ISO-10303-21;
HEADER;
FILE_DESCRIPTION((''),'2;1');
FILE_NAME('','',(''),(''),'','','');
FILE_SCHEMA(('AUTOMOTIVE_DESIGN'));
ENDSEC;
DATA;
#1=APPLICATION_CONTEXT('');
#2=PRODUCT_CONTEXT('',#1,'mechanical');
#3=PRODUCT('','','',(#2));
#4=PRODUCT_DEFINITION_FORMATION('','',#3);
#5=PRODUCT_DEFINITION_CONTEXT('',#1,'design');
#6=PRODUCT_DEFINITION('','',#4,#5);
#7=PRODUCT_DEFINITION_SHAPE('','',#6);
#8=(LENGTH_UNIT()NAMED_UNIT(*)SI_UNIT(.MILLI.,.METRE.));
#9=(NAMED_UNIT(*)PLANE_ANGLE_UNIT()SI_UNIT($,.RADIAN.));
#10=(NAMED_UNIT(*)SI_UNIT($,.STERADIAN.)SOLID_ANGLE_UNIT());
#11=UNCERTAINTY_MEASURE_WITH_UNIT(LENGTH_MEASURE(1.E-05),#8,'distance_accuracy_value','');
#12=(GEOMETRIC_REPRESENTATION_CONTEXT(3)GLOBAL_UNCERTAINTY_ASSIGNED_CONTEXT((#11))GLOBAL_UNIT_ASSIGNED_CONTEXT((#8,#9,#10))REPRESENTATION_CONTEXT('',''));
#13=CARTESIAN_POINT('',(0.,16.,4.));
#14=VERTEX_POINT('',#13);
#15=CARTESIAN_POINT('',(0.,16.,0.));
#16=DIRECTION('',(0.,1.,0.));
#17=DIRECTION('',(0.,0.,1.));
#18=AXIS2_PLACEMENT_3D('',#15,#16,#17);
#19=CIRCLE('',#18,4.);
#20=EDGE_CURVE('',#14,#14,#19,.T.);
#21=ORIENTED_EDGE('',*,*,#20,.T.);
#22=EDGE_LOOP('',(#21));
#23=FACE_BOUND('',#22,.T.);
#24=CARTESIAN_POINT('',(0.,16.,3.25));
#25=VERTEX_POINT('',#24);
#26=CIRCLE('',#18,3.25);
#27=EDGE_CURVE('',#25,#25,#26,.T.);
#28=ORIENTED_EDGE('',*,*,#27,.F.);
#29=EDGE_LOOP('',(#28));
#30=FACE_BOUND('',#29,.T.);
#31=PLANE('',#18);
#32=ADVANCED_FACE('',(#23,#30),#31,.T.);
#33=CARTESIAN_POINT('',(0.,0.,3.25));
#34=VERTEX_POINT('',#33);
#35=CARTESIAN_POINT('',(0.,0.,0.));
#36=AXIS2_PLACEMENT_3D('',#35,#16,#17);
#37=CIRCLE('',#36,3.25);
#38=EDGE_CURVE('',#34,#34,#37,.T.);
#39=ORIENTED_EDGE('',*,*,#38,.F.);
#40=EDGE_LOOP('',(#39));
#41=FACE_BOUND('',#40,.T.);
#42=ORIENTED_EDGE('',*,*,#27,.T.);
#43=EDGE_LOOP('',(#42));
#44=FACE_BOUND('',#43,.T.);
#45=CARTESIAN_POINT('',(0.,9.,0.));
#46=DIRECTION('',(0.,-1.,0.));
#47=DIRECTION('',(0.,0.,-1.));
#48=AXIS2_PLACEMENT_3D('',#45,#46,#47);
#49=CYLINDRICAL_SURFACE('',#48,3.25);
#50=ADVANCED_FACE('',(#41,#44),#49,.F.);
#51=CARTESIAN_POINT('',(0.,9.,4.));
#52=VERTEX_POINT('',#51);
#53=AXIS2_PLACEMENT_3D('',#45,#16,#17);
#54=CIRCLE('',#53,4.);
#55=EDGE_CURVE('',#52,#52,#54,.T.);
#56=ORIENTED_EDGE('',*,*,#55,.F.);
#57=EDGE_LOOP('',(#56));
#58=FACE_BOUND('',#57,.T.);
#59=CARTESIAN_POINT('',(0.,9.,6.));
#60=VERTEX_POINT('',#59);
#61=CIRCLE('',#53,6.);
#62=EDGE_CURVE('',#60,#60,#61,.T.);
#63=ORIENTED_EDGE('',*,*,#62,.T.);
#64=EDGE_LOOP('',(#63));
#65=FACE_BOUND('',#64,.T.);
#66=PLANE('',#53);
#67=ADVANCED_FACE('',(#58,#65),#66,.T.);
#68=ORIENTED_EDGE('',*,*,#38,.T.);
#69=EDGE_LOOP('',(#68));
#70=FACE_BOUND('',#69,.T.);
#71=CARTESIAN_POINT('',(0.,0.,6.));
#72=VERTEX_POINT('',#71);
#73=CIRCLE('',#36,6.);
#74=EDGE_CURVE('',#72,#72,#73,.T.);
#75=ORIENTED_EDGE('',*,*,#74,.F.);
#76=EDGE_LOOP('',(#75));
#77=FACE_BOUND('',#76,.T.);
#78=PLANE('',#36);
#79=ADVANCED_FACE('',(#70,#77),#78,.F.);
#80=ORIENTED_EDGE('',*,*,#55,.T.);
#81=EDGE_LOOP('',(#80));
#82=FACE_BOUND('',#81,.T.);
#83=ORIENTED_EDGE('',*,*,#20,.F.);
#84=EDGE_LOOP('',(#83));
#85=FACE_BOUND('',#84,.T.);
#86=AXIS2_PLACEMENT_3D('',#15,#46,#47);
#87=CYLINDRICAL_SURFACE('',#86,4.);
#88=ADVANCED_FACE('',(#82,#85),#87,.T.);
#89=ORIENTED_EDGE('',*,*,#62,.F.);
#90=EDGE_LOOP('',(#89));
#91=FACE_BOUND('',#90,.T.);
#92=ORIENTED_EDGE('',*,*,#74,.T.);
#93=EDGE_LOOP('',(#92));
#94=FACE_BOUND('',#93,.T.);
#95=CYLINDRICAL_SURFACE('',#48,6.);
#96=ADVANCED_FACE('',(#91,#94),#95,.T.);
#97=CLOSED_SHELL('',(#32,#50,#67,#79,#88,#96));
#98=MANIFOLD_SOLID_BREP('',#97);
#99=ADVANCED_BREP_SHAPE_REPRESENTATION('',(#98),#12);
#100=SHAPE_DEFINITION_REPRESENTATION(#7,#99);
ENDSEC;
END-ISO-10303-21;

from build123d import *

# Parameters (mm, degrees)
CROQUIS1_R              = 6
CROQUIS1_R_2            = 3.25
SALIENTE_EXTRUIR1_DEPTH = 9
CROQUIS2_R              = 4
CROQUIS2_R_2            = 3.25
SALIENTE_EXTRUIR2_DEPTH = 7


with BuildPart() as part:
    # Croquis1 → Saliente-Extruir1 (new body)
    with BuildSketch(Plane(origin=(0, 0, 0), x_dir=(1, 0, 0), z_dir=(0, 1, 0))):
        with Locations(Location((0, 0, 0), (0, 0, 270))):
            Circle(CROQUIS1_R)
        with Locations(Location((0, 0, 0), (0, 0, 270))):
            Circle(CROQUIS1_R_2, mode=Mode.SUBTRACT)
    extrude(amount=SALIENTE_EXTRUIR1_DEPTH)

    # Croquis2 → Saliente-Extruir2 (add)
    with BuildSketch(Plane(origin=(0, 9, 0), x_dir=(1, 0, 0), z_dir=(0, 1, 0))):
        with Locations(Location((0, 0, 0), (0, 0, 270))):
            Circle(CROQUIS2_R)
        with Locations(Location((0, 0, 0), (0, 0, 270))):
            Circle(CROQUIS2_R_2, mode=Mode.SUBTRACT)
    extrude(amount=SALIENTE_EXTRUIR2_DEPTH)


solid = part.part
